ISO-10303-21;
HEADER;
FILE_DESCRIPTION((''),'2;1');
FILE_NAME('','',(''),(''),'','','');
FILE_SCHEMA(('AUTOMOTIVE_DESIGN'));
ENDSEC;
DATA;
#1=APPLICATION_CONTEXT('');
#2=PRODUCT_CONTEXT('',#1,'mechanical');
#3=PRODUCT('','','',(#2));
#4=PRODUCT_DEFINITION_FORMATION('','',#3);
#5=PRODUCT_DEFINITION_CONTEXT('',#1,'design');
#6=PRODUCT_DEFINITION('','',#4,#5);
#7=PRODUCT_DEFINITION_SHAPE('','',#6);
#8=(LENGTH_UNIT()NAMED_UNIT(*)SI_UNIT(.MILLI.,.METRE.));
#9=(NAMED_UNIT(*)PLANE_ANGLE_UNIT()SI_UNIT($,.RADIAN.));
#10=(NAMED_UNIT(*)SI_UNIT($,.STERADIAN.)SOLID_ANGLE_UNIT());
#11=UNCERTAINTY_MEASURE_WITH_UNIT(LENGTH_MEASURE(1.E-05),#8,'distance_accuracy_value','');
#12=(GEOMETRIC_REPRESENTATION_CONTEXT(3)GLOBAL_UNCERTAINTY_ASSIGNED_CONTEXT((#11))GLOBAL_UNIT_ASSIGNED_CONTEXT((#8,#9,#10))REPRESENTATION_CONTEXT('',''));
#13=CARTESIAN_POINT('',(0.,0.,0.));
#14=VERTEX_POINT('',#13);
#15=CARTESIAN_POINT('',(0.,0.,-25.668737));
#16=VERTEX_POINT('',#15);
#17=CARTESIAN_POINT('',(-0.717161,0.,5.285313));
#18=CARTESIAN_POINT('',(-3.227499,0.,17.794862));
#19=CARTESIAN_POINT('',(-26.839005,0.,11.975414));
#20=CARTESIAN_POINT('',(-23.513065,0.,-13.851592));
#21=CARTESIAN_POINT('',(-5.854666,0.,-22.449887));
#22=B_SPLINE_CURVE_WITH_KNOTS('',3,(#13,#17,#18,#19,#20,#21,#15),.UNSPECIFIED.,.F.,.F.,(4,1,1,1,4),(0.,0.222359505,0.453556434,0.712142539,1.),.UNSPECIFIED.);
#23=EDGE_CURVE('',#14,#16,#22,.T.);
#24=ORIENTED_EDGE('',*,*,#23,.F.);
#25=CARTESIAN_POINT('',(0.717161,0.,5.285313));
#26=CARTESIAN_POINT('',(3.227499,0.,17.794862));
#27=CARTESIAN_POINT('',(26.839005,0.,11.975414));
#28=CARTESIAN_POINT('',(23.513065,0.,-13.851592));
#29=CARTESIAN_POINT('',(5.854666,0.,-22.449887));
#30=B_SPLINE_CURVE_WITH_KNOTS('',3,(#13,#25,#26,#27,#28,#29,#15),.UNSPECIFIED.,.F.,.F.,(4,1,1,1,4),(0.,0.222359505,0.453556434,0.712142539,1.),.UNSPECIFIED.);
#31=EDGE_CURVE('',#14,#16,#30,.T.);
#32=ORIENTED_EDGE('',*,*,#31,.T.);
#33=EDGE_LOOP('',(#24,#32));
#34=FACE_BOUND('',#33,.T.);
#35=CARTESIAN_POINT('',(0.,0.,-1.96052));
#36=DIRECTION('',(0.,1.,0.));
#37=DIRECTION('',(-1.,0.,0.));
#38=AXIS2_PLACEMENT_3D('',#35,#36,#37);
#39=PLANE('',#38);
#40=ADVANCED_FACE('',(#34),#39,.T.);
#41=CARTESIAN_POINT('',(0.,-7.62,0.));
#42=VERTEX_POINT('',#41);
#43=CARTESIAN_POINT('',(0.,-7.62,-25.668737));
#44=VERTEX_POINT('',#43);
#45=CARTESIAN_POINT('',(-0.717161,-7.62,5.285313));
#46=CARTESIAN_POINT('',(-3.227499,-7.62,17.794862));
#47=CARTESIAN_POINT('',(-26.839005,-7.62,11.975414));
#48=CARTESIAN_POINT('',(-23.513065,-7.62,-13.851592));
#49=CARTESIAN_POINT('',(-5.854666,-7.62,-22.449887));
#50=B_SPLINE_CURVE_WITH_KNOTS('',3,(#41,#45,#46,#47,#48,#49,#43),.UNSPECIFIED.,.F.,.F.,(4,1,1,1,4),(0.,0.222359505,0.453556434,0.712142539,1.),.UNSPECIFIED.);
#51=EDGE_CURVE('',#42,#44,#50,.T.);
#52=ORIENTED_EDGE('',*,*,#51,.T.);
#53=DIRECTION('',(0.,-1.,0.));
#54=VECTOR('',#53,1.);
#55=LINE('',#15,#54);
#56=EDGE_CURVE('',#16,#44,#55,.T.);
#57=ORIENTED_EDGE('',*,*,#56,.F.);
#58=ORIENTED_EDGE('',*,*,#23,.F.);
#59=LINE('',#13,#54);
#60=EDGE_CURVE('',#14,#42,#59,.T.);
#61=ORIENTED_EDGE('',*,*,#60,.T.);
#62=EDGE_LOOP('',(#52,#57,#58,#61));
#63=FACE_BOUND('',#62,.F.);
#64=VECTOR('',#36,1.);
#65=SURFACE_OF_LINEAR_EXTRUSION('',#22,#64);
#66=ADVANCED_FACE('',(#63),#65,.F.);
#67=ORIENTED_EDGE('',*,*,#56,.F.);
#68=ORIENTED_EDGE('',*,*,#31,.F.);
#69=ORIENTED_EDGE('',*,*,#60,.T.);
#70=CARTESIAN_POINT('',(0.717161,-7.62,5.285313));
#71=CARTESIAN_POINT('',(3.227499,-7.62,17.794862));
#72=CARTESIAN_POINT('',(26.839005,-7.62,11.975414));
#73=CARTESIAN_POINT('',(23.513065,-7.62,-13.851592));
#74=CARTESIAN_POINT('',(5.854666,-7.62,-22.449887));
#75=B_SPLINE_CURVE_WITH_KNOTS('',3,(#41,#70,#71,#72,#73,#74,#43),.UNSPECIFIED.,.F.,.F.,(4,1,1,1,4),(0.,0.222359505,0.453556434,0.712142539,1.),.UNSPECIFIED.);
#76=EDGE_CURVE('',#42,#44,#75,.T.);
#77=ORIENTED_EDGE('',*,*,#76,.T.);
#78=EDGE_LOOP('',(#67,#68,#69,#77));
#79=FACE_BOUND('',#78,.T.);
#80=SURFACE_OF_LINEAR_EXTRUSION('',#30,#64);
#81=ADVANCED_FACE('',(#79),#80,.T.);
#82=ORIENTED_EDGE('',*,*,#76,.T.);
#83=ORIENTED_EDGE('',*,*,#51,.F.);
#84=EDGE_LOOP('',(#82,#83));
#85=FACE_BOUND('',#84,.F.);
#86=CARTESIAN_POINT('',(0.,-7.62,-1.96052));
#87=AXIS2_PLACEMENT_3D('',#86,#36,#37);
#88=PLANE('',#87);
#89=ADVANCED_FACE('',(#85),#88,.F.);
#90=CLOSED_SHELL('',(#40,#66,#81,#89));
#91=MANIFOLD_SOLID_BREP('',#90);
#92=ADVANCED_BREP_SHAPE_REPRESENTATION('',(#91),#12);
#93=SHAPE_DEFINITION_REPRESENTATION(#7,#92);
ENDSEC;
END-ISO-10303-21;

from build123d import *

# Parameters (mm, degrees)
F1_DEPTH = 7.62


with BuildPart() as f1:
    # F0 (on Front) → F1 (new body)
    with BuildSketch(Plane.XZ):
        with BuildLine():
            add(Edge.make_bspline(
                [(0, 0), (0.7171611763, 5.2853131867), (3.2274989978, 17.7948620635), (26.839005389, 11.9754142258), (23.5130648954, -13.8515920011), (5.8546662849, -22.4498874239), (0, -25.6687365472)],
                knots=[0, 0, 0, 0, 0.2223595046, 0.4535564342, 0.7121425392, 1, 1, 1, 1], degree=3))
            add(Edge.make_bspline(
                [(0, 0), (-0.7171611763, 5.2853131867), (-3.2274989978, 17.7948620635), (-26.839005389, 11.9754142258), (-23.5130648954, -13.8515920011), (-5.8546662849, -22.4498874239), (0, -25.6687365472)],
                knots=[0, 0, 0, 0, 0.2223595046, 0.4535564342, 0.7121425392, 1, 1, 1, 1], degree=3))
        make_face()
    extrude(amount=F1_DEPTH)


solid = f1.part
